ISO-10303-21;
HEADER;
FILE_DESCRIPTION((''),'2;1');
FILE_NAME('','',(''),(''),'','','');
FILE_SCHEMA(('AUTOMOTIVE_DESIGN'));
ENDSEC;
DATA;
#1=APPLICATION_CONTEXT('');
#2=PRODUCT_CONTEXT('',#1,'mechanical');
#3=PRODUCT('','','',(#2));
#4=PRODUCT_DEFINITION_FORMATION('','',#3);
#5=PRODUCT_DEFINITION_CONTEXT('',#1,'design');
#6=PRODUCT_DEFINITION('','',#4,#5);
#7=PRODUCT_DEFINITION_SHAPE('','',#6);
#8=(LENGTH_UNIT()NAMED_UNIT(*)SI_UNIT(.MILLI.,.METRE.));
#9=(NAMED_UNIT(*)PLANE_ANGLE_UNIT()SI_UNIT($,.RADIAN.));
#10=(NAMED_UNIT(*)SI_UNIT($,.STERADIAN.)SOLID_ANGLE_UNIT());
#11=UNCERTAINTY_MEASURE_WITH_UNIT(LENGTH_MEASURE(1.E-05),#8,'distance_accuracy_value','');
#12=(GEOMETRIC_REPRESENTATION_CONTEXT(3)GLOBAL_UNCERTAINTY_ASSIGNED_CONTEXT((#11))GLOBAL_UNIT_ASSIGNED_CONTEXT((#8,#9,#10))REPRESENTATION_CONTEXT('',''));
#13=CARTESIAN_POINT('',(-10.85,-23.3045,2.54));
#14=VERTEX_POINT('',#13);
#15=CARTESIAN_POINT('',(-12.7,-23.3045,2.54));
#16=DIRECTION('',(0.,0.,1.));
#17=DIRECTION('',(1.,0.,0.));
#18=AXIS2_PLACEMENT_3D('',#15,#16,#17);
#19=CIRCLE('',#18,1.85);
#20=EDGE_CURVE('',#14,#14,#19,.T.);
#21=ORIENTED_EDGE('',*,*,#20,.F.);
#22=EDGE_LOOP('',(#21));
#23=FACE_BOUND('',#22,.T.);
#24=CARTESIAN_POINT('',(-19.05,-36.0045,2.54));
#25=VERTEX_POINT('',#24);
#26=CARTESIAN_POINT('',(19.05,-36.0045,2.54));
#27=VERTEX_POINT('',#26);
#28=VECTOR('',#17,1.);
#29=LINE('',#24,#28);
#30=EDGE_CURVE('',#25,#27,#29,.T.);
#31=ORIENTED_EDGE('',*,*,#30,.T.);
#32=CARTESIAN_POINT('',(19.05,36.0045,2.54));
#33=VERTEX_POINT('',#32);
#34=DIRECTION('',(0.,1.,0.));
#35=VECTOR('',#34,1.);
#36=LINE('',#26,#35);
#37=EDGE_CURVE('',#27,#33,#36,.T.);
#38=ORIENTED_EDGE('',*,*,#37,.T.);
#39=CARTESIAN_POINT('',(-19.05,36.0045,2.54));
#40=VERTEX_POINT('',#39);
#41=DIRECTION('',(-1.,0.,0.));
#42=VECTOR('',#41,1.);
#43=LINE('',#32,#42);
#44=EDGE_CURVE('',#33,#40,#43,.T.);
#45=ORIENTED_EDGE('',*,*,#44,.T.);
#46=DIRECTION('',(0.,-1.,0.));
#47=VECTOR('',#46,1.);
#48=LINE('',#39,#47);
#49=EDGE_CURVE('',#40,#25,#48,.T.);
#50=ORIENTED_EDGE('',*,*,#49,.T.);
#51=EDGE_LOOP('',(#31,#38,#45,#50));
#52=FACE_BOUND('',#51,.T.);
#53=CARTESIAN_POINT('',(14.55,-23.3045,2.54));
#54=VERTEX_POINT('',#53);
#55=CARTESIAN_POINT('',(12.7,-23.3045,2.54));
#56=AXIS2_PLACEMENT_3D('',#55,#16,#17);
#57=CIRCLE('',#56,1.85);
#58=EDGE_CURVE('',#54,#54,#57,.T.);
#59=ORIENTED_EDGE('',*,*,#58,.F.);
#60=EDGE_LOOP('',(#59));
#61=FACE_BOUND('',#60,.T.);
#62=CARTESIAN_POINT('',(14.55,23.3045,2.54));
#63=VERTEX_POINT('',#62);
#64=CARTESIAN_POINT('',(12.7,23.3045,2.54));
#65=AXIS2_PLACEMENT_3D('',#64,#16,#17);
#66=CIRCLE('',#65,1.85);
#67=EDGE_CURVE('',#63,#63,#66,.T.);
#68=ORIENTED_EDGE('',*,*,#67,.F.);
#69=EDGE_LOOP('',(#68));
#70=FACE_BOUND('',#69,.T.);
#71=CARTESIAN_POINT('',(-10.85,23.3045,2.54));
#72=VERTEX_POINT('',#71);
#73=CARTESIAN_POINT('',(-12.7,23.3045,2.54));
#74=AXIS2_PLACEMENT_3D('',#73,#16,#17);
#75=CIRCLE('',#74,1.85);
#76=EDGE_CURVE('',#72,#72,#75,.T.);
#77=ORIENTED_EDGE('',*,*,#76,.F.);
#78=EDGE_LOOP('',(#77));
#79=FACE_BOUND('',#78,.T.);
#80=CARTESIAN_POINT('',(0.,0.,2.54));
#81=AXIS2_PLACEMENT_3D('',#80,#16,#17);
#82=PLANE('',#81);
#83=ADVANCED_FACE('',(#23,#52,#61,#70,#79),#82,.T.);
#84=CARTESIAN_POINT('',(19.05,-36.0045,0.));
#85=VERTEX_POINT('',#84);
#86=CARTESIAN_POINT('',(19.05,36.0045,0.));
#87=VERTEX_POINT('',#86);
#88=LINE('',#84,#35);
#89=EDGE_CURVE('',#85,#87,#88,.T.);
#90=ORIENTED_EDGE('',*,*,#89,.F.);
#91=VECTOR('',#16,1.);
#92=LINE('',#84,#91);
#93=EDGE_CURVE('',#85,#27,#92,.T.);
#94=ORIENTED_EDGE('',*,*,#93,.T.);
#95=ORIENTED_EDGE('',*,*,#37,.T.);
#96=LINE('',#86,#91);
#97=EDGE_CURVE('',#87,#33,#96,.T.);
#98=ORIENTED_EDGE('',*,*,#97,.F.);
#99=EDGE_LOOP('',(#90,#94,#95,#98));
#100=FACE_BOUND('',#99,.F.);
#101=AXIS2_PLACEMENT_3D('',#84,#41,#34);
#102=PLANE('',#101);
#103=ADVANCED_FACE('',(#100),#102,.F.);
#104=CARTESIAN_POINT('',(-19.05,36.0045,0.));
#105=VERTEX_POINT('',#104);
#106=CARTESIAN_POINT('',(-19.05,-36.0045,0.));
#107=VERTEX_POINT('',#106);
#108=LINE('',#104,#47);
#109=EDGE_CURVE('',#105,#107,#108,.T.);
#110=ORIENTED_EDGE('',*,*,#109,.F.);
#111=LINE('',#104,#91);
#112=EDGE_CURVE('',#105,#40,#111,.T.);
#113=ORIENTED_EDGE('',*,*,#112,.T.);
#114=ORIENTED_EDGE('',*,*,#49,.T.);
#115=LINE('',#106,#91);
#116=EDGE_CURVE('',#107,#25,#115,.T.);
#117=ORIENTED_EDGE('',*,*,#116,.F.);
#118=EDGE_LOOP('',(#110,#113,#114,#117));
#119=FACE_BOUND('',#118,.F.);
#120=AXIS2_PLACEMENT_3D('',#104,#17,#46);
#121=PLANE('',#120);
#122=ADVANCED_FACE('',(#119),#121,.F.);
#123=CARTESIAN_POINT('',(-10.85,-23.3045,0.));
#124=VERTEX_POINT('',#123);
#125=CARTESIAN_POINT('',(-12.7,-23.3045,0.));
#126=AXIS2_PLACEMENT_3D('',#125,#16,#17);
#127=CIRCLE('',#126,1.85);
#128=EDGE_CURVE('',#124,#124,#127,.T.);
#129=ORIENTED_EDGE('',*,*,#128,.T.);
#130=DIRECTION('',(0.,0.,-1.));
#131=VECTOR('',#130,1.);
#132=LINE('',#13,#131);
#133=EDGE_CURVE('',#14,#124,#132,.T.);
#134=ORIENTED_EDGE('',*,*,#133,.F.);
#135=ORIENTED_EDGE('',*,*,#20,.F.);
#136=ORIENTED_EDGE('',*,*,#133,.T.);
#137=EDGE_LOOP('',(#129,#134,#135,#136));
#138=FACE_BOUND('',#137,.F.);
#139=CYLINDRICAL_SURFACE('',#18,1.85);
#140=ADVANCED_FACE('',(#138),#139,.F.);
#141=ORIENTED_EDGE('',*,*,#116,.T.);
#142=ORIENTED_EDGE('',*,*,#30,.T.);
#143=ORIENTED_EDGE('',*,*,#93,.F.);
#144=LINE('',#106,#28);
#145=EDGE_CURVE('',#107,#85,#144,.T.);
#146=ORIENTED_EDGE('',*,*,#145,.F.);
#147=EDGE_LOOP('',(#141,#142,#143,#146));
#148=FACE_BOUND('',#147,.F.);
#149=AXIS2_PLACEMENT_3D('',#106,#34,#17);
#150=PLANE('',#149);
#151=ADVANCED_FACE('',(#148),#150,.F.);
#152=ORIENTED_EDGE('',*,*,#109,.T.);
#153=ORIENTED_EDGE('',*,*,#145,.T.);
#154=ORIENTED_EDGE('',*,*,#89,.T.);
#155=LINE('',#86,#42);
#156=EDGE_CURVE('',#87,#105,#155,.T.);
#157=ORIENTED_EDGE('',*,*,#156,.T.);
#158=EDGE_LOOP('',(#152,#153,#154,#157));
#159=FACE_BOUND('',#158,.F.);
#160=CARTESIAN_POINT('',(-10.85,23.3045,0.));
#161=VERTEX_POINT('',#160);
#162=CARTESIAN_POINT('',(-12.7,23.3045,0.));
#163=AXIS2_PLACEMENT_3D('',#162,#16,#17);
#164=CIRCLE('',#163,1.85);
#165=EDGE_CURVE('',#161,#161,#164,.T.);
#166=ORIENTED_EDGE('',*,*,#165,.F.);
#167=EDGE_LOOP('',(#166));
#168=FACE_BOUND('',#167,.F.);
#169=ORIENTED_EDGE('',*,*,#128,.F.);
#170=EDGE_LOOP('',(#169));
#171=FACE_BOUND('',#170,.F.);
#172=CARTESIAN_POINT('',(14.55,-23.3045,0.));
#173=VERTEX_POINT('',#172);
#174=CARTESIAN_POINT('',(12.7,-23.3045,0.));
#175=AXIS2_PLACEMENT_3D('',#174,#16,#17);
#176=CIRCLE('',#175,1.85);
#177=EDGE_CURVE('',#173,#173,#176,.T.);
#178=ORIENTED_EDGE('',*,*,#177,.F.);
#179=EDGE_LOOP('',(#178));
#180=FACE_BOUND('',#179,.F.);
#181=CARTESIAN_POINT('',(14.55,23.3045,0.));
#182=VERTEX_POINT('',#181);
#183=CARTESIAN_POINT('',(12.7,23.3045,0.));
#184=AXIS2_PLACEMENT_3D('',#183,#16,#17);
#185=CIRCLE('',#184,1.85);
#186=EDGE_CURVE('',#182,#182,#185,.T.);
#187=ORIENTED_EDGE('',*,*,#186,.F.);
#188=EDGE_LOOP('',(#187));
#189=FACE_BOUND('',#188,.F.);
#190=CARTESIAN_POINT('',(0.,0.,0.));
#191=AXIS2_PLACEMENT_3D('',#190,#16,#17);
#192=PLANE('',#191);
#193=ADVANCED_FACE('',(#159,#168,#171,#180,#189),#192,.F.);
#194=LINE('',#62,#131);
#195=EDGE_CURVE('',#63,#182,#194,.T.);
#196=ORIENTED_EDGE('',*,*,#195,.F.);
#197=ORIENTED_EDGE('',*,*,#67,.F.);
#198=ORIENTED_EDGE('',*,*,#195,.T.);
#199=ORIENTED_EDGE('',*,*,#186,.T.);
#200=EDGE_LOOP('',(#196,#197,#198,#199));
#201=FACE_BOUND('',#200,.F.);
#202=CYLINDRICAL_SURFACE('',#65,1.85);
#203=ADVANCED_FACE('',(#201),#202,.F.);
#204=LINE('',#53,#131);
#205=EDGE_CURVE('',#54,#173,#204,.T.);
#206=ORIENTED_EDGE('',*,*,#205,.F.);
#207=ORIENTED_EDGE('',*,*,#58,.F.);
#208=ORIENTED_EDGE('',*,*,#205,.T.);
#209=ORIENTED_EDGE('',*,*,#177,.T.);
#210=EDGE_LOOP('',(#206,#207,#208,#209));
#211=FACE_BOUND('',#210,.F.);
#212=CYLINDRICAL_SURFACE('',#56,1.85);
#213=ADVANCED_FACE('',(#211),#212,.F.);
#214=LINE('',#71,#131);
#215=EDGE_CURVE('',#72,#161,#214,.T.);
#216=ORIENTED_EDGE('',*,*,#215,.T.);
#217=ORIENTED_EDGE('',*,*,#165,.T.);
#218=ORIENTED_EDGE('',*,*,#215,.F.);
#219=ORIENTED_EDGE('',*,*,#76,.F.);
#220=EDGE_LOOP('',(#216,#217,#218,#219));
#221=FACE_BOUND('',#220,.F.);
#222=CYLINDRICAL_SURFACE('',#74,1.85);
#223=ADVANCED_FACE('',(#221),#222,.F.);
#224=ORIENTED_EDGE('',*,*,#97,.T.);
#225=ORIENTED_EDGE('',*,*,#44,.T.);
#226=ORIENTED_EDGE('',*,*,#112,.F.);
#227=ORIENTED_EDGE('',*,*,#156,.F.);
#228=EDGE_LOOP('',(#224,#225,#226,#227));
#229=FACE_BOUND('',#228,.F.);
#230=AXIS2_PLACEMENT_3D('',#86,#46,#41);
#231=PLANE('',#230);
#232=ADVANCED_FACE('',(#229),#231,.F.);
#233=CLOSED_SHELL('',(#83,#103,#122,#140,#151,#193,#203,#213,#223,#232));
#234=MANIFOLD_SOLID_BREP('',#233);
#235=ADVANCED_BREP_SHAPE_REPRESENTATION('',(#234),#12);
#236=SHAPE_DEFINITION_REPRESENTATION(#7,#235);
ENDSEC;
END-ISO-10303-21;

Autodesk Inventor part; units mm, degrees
ref_plane "YZ Plane" through (0, 0, 0) normal (1, 0, 0) x (0, 1, 0)
ref_plane "XZ Plane" through (0, 0, 0) normal (0, 1, 0) x (-1, 0, 0)
ref_plane "XY Plane" through (0, 0, 0) normal (0, 0, 1) x (1, 0, 0)
sketch "Sketch1" plane through (0, 0, 0) normal (0, 0, 1) x (1, 0, 0)
  line L0 (-19.05, -36.0045) -> (19.05, -36.0045)
  line L1 (19.05, -36.0045) -> (19.05, 36.0045)
  line L2 (19.05, 36.0045) -> (-19.05, 36.0045)
  line L3 (-19.05, 36.0045) -> (-19.05, -36.0045)
  line L4 (-19.05, -36.0045) -> (19.05, 36.0045) construction
  line L5 (19.05, -36.0045) -> (-19.05, 36.0045) construction
  point P0 (0, 0)
  dimension "d0" = 38.1
  dimension "d1" = 72.009
extrude "Extrusion1" add sketch "Sketch1" along normal blind 2.54
sketch "Sketch2" plane through (0, 0, 2.54) normal (0, 0, 1) x (1, 0, 0)
  circle A0 centre (-12.7, 23.3045) radius 1.85 projected
  circle A1 centre (12.7, 23.3045) radius 1.85 projected
  circle A2 centre (-12.7, -23.3045) radius 1.85 projected
  circle A3 centre (12.7, -23.3045) radius 1.85 projected
  point P0 (0, 0)
extrude "Extrusion2" cut sketch "Sketch2" against normal blind 2.54
properties part number "GearPlate"
